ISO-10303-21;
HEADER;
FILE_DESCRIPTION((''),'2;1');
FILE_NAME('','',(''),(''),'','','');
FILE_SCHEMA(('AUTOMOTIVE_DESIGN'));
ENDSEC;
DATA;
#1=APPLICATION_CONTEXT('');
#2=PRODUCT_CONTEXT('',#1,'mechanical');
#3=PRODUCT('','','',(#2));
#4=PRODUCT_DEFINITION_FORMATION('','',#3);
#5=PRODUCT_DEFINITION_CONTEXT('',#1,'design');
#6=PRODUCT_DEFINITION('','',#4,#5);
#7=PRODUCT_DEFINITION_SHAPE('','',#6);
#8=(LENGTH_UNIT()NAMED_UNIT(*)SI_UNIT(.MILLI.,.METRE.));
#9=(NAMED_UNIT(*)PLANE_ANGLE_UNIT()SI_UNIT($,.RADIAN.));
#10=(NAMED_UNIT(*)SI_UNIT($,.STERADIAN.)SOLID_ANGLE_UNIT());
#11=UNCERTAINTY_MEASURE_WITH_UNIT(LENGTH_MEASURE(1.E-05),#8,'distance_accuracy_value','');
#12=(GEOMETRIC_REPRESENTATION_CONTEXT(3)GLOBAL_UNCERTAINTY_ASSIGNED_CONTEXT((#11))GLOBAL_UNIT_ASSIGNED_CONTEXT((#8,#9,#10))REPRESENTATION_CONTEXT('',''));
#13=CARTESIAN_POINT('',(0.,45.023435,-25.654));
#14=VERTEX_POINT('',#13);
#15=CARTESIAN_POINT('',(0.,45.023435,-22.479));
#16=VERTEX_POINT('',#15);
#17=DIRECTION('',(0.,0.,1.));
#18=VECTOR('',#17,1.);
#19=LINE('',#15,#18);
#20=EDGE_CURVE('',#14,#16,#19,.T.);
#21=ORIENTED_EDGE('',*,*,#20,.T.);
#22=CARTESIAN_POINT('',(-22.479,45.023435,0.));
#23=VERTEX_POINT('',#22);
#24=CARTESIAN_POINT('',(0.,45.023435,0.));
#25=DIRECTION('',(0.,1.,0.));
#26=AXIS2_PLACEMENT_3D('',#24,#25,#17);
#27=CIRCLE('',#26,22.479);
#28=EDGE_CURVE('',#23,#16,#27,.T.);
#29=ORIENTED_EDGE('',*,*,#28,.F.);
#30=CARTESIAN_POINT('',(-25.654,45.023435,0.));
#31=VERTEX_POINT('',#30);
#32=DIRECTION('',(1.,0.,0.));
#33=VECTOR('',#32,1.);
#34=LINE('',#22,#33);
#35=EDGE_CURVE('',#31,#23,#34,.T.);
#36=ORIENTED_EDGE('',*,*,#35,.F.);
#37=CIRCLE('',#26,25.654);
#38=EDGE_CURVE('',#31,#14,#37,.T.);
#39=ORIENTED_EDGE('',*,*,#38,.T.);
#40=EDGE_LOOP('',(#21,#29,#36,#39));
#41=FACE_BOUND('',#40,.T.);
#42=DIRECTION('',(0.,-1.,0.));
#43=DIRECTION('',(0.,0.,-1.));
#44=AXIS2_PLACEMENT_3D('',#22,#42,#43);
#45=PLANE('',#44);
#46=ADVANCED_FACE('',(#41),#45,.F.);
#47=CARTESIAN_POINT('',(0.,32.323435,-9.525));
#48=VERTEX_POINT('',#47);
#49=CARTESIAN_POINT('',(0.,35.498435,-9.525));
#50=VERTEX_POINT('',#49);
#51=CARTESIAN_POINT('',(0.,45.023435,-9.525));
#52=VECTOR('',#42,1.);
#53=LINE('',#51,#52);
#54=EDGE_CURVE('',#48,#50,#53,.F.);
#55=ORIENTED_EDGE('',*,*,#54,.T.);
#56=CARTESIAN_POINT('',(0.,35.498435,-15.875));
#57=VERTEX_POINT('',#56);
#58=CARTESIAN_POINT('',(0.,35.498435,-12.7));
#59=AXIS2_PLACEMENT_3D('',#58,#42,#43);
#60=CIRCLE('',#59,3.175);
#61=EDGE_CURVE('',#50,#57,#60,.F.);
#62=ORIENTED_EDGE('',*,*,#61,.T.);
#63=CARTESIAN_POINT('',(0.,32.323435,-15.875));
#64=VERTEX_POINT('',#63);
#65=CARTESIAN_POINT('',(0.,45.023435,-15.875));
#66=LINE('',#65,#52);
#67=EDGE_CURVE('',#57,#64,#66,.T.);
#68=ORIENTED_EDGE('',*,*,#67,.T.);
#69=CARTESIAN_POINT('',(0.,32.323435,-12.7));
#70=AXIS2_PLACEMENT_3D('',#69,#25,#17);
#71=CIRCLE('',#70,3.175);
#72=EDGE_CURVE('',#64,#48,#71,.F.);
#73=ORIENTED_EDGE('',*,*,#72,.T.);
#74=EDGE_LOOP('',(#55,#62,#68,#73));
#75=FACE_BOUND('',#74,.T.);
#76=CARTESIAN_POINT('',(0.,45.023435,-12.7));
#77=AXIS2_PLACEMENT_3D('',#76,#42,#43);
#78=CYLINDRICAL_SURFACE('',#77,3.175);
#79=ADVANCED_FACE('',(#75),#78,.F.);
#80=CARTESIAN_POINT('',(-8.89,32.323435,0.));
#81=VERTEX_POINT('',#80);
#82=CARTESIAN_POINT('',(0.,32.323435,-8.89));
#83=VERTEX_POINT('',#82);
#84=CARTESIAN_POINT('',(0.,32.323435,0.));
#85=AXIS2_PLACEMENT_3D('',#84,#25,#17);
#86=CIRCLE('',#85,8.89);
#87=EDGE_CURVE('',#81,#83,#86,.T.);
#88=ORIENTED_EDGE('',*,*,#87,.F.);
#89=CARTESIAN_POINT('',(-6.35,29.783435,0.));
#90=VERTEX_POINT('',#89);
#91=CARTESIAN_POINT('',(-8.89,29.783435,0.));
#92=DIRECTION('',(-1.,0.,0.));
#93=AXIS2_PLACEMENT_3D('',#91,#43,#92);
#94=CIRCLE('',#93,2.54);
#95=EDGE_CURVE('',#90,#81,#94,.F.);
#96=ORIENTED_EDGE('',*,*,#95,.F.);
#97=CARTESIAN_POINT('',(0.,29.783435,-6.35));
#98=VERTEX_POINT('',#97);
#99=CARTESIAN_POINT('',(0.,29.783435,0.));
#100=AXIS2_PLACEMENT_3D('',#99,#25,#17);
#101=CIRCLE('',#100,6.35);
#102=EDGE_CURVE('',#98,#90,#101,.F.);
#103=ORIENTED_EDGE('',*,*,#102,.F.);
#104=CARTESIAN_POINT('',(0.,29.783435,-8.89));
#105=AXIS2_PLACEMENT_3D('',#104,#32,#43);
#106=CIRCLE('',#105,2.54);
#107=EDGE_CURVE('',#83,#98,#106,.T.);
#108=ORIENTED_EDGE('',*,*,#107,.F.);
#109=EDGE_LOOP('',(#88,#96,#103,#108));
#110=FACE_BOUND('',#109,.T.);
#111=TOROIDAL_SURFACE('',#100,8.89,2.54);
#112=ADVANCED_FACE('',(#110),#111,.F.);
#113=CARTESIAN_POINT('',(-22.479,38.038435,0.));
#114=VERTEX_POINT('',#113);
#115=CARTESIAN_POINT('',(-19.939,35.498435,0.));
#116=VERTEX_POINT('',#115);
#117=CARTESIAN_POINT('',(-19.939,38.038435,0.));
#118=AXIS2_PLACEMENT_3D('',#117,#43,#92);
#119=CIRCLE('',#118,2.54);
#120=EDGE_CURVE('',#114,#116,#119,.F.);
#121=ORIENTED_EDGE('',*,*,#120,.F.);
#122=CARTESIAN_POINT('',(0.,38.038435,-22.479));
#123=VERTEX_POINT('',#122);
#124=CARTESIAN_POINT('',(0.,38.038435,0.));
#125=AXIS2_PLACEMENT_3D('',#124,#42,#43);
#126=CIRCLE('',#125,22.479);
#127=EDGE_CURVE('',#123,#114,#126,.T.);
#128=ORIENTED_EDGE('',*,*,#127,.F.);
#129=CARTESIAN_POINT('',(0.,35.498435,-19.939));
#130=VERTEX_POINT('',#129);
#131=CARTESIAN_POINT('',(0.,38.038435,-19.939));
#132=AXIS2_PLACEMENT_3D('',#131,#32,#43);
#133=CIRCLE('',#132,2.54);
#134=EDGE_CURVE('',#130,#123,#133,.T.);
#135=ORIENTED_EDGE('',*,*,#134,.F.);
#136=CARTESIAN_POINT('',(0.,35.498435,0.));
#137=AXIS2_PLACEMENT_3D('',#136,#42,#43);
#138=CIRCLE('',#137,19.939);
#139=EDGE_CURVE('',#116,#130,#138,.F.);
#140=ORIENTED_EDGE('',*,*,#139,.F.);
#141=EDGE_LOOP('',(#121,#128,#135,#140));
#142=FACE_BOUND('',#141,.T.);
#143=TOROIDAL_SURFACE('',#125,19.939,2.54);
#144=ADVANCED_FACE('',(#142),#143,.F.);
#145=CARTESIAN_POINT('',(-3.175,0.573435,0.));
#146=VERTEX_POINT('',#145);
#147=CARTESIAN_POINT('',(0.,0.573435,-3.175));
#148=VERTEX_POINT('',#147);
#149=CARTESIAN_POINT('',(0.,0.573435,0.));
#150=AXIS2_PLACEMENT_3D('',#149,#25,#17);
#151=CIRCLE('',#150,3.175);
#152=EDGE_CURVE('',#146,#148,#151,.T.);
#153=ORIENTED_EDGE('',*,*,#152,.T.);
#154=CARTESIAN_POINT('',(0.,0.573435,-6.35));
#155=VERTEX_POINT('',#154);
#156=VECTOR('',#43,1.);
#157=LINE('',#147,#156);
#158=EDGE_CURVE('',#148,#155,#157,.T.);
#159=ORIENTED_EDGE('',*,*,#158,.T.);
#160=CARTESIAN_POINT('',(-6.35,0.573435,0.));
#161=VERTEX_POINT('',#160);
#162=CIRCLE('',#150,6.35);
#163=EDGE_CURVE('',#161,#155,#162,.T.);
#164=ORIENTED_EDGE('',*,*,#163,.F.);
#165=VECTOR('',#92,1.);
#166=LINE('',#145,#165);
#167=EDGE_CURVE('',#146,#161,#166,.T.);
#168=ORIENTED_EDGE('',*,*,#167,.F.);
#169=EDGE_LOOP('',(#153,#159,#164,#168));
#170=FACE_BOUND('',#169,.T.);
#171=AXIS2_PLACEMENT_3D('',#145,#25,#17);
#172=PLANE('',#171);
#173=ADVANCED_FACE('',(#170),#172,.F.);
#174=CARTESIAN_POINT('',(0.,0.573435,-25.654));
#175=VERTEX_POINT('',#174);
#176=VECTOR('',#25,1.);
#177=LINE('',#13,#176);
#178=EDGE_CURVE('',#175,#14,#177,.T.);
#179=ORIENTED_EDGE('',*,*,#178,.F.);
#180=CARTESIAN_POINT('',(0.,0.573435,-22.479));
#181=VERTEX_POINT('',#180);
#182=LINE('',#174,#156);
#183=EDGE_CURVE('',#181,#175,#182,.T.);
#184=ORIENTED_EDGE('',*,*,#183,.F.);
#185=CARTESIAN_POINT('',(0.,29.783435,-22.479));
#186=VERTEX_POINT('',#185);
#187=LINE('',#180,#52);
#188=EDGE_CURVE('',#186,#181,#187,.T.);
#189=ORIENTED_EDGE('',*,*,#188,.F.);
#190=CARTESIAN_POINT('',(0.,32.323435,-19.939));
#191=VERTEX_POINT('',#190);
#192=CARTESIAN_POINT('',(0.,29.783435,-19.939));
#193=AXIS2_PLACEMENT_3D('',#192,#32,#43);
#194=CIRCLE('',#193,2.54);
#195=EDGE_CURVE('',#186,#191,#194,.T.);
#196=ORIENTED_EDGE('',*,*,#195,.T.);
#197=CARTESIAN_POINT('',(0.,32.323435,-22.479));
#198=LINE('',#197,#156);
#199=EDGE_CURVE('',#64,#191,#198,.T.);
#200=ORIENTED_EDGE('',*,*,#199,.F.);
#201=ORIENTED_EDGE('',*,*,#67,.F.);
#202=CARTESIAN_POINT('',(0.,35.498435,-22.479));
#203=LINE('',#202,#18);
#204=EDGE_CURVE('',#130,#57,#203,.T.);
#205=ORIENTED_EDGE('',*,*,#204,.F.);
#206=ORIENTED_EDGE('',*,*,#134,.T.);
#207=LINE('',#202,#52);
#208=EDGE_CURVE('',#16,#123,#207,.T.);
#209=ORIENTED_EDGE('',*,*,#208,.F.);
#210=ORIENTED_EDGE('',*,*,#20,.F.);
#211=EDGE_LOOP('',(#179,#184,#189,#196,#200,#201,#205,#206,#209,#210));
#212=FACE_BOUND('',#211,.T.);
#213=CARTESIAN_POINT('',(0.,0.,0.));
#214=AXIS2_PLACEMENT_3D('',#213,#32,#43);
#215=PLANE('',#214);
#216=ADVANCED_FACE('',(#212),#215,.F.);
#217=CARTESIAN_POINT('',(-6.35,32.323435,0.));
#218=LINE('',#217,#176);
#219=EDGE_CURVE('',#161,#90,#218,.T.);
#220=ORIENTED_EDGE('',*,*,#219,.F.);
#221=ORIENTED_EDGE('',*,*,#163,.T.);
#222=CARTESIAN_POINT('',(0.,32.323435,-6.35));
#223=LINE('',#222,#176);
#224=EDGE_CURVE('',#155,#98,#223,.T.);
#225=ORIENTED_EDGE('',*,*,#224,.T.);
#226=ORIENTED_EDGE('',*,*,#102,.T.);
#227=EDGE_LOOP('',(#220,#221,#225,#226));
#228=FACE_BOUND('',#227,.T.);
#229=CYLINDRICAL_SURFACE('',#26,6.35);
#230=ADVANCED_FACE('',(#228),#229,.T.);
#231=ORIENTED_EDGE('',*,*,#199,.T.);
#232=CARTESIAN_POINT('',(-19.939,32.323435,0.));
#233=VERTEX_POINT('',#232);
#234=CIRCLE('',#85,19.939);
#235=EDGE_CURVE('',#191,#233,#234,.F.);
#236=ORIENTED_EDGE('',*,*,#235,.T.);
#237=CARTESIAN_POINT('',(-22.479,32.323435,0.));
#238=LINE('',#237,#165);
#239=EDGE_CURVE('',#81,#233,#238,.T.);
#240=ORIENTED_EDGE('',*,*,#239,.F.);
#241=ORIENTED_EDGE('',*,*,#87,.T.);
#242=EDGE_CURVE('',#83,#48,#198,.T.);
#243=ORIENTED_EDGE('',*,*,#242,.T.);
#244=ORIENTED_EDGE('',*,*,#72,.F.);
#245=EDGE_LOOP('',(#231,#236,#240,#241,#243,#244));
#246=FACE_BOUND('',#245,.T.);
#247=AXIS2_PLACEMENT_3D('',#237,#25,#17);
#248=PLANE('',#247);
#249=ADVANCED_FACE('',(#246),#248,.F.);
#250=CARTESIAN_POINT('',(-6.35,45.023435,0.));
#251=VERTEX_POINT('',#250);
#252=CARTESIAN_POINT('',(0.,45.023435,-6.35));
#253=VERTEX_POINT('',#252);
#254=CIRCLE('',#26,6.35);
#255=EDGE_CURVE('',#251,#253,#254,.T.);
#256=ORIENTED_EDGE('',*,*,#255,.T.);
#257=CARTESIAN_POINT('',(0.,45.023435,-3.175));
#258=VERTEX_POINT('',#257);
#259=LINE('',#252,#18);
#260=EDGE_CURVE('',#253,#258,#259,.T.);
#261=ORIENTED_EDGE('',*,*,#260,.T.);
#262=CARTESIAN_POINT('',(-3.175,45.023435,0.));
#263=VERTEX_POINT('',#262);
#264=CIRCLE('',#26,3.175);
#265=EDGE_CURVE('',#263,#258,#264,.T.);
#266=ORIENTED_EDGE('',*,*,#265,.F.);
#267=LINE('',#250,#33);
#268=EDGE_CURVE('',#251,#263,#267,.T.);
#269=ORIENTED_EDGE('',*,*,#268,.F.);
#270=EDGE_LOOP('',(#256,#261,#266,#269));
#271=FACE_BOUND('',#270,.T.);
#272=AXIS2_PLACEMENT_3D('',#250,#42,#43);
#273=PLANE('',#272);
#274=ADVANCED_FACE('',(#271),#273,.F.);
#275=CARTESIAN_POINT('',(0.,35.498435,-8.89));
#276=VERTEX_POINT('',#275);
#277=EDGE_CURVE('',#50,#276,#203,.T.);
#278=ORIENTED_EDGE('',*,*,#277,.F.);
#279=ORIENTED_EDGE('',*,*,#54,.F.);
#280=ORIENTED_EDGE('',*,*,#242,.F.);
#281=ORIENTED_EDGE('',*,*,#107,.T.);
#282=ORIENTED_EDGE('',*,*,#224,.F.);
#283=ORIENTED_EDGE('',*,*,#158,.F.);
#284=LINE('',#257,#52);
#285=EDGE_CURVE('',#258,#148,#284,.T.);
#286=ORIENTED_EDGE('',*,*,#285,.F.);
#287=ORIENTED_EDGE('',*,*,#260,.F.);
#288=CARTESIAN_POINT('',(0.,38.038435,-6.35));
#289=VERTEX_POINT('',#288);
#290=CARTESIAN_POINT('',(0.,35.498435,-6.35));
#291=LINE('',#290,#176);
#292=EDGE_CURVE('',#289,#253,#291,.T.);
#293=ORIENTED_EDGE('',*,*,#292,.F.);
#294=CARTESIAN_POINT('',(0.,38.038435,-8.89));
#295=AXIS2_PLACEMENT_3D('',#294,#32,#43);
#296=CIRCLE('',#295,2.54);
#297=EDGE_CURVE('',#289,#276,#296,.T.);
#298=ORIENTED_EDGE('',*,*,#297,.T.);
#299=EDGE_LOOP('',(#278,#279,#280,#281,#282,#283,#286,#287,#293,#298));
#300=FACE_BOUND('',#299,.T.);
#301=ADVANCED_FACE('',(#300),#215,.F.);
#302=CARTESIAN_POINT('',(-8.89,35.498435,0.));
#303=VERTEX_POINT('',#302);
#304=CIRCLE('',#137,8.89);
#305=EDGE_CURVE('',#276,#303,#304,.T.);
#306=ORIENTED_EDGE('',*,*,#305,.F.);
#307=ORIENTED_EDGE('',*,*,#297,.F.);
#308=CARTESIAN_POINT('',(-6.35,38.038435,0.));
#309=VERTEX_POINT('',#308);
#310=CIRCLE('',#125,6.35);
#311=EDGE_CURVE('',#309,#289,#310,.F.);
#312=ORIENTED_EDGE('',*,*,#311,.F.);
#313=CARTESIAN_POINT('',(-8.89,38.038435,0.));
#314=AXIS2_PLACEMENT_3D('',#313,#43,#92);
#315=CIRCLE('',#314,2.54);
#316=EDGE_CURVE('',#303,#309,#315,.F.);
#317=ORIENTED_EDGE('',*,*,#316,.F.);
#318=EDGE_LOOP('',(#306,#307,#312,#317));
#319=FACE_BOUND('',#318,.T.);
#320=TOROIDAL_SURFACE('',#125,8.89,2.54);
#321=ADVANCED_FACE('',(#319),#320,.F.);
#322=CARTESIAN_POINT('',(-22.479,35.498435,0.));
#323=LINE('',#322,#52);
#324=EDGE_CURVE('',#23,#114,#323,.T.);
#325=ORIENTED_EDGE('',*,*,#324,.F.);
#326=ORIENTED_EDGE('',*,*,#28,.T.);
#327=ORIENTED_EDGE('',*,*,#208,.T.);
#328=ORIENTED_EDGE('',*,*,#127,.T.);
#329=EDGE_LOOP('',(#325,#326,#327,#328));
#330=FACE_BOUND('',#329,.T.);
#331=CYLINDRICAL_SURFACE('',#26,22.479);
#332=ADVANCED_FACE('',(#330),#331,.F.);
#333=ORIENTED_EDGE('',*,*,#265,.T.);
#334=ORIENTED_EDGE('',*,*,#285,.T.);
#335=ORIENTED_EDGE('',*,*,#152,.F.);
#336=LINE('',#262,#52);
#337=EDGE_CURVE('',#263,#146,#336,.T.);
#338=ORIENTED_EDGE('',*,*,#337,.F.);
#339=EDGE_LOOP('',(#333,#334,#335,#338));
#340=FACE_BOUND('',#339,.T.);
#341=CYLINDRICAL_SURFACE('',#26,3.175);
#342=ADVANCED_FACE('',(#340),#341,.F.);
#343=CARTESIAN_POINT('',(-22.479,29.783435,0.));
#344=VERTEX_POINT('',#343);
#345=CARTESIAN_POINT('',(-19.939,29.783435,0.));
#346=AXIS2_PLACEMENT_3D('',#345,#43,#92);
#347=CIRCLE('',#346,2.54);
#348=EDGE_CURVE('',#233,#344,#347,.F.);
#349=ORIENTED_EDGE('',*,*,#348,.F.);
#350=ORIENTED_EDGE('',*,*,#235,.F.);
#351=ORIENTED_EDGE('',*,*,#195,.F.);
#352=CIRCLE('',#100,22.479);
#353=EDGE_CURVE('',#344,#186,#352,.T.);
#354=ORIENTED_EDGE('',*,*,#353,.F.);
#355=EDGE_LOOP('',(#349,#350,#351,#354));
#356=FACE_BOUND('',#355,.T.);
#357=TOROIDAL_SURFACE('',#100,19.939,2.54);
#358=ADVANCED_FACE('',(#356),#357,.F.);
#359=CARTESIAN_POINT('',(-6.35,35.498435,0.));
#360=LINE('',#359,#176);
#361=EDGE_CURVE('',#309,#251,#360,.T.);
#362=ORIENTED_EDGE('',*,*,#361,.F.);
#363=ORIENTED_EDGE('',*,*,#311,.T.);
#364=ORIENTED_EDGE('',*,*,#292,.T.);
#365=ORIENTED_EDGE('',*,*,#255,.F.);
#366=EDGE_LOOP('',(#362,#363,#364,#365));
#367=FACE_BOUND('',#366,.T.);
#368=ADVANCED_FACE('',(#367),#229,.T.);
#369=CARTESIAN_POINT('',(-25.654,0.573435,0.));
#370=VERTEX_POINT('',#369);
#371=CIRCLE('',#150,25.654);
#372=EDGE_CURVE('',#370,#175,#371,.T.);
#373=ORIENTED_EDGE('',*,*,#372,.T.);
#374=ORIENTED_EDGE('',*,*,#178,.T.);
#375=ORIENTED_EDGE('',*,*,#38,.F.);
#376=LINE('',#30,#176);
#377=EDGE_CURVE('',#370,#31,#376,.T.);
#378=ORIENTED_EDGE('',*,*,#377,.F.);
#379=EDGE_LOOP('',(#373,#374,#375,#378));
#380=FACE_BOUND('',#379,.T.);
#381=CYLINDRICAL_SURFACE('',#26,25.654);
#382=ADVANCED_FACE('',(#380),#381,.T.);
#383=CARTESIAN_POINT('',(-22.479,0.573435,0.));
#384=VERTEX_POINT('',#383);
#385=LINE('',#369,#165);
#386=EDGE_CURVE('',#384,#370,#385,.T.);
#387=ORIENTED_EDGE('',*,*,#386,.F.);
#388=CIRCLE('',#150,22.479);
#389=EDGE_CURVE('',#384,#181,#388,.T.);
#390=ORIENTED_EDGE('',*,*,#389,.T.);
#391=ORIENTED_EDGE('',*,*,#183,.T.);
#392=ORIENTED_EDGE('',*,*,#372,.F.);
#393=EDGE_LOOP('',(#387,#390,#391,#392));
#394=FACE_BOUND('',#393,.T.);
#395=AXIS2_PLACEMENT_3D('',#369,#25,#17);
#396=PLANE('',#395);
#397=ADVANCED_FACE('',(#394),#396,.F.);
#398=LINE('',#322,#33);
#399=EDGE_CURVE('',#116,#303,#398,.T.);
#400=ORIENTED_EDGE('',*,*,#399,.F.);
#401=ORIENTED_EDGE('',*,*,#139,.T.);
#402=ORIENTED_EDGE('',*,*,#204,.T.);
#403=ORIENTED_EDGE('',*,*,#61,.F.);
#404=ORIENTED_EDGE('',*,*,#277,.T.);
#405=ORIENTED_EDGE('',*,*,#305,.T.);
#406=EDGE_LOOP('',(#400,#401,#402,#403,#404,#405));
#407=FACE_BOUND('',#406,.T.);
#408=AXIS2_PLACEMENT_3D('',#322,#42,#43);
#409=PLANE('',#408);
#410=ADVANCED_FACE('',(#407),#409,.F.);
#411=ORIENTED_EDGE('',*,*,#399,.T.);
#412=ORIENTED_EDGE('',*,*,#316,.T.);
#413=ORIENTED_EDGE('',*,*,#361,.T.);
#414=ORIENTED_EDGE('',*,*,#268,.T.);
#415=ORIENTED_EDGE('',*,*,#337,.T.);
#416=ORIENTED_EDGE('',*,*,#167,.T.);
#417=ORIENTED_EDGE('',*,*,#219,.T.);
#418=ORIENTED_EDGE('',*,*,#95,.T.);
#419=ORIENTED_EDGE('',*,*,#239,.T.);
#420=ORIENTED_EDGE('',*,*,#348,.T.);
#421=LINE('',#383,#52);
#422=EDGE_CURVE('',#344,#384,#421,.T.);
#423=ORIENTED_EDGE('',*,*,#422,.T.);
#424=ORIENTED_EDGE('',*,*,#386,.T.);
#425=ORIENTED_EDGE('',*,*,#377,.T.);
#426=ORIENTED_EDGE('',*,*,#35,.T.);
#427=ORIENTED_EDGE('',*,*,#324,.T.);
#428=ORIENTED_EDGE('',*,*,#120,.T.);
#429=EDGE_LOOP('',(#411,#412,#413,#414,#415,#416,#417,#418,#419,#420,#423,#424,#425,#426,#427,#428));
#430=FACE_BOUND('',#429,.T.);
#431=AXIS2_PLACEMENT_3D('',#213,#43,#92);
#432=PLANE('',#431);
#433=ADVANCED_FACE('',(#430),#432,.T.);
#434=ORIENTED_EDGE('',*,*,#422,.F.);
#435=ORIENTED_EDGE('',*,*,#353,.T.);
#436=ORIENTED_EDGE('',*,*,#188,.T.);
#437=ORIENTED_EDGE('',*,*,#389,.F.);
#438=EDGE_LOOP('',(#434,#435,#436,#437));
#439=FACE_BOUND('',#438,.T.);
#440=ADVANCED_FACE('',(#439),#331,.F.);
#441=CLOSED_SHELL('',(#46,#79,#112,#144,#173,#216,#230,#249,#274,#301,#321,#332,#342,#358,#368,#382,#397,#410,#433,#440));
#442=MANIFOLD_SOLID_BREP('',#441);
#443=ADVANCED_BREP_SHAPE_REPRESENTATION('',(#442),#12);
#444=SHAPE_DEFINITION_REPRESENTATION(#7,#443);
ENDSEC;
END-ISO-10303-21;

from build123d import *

# Parameters (mm, degrees)
REVOLVE2_ANGLE     = 270
SKETCH5_R          = 3.175
CUT_EXTRUDE1_DEPTH = 46.023434974
FILLET1_R          = 2.54
FILLET2_R          = 2.54


with BuildPart() as part:
    # Sketch1 → Revolve2 (revolve)
    with BuildSketch(Plane(origin=(0, 0, 0), x_dir=(0, 0, -1), z_dir=(1, 0, 0))):
        Polygon((22.479, 35.498434974), (22.479, 45.023434974), (25.654, 45.023434974), (25.654, 0.573434974), (22.479, 0.573434974), (22.479, 32.323434974), (6.35, 32.323434974), (6.35, 0.573434974), (3.175, 0.573434974), (3.175, 45.023434974), (6.35, 45.023434974), (6.35, 35.498434974), align=None)
    revolve(axis=Axis((0, 45.023434974, 0), (0, -1, 0)), revolution_arc=REVOLVE2_ANGLE)

    # Sketch5 → Cut-Extrude1 (cut, through all)
    with BuildSketch(Plane(origin=(0, 0, 0), x_dir=(1, 0, 0), z_dir=(0, 1, 0))):
        with Locations((0, 12.7)):
            Circle(SKETCH5_R)
    extrude(amount=CUT_EXTRUDE1_DEPTH, mode=Mode.SUBTRACT)

    # Fillet1
    fillet1_edges = [part.edges().sort_by_distance(p)[0] for p in [
        (15.895053334, 32.323434974, 15.895053334),
        (4.490128061, 32.323434974, 4.490128061),
    ]]
    fillet(fillet1_edges, radius=FILLET1_R)

    # Fillet2
    fillet2_edges = [part.edges().sort_by_distance(p)[0] for p in [
        (4.490128061, 35.498434974, 4.490128061),
        (15.895053334, 35.498434974, 15.895053334),
    ]]
    fillet(fillet2_edges, radius=FILLET2_R)


solid = part.part
